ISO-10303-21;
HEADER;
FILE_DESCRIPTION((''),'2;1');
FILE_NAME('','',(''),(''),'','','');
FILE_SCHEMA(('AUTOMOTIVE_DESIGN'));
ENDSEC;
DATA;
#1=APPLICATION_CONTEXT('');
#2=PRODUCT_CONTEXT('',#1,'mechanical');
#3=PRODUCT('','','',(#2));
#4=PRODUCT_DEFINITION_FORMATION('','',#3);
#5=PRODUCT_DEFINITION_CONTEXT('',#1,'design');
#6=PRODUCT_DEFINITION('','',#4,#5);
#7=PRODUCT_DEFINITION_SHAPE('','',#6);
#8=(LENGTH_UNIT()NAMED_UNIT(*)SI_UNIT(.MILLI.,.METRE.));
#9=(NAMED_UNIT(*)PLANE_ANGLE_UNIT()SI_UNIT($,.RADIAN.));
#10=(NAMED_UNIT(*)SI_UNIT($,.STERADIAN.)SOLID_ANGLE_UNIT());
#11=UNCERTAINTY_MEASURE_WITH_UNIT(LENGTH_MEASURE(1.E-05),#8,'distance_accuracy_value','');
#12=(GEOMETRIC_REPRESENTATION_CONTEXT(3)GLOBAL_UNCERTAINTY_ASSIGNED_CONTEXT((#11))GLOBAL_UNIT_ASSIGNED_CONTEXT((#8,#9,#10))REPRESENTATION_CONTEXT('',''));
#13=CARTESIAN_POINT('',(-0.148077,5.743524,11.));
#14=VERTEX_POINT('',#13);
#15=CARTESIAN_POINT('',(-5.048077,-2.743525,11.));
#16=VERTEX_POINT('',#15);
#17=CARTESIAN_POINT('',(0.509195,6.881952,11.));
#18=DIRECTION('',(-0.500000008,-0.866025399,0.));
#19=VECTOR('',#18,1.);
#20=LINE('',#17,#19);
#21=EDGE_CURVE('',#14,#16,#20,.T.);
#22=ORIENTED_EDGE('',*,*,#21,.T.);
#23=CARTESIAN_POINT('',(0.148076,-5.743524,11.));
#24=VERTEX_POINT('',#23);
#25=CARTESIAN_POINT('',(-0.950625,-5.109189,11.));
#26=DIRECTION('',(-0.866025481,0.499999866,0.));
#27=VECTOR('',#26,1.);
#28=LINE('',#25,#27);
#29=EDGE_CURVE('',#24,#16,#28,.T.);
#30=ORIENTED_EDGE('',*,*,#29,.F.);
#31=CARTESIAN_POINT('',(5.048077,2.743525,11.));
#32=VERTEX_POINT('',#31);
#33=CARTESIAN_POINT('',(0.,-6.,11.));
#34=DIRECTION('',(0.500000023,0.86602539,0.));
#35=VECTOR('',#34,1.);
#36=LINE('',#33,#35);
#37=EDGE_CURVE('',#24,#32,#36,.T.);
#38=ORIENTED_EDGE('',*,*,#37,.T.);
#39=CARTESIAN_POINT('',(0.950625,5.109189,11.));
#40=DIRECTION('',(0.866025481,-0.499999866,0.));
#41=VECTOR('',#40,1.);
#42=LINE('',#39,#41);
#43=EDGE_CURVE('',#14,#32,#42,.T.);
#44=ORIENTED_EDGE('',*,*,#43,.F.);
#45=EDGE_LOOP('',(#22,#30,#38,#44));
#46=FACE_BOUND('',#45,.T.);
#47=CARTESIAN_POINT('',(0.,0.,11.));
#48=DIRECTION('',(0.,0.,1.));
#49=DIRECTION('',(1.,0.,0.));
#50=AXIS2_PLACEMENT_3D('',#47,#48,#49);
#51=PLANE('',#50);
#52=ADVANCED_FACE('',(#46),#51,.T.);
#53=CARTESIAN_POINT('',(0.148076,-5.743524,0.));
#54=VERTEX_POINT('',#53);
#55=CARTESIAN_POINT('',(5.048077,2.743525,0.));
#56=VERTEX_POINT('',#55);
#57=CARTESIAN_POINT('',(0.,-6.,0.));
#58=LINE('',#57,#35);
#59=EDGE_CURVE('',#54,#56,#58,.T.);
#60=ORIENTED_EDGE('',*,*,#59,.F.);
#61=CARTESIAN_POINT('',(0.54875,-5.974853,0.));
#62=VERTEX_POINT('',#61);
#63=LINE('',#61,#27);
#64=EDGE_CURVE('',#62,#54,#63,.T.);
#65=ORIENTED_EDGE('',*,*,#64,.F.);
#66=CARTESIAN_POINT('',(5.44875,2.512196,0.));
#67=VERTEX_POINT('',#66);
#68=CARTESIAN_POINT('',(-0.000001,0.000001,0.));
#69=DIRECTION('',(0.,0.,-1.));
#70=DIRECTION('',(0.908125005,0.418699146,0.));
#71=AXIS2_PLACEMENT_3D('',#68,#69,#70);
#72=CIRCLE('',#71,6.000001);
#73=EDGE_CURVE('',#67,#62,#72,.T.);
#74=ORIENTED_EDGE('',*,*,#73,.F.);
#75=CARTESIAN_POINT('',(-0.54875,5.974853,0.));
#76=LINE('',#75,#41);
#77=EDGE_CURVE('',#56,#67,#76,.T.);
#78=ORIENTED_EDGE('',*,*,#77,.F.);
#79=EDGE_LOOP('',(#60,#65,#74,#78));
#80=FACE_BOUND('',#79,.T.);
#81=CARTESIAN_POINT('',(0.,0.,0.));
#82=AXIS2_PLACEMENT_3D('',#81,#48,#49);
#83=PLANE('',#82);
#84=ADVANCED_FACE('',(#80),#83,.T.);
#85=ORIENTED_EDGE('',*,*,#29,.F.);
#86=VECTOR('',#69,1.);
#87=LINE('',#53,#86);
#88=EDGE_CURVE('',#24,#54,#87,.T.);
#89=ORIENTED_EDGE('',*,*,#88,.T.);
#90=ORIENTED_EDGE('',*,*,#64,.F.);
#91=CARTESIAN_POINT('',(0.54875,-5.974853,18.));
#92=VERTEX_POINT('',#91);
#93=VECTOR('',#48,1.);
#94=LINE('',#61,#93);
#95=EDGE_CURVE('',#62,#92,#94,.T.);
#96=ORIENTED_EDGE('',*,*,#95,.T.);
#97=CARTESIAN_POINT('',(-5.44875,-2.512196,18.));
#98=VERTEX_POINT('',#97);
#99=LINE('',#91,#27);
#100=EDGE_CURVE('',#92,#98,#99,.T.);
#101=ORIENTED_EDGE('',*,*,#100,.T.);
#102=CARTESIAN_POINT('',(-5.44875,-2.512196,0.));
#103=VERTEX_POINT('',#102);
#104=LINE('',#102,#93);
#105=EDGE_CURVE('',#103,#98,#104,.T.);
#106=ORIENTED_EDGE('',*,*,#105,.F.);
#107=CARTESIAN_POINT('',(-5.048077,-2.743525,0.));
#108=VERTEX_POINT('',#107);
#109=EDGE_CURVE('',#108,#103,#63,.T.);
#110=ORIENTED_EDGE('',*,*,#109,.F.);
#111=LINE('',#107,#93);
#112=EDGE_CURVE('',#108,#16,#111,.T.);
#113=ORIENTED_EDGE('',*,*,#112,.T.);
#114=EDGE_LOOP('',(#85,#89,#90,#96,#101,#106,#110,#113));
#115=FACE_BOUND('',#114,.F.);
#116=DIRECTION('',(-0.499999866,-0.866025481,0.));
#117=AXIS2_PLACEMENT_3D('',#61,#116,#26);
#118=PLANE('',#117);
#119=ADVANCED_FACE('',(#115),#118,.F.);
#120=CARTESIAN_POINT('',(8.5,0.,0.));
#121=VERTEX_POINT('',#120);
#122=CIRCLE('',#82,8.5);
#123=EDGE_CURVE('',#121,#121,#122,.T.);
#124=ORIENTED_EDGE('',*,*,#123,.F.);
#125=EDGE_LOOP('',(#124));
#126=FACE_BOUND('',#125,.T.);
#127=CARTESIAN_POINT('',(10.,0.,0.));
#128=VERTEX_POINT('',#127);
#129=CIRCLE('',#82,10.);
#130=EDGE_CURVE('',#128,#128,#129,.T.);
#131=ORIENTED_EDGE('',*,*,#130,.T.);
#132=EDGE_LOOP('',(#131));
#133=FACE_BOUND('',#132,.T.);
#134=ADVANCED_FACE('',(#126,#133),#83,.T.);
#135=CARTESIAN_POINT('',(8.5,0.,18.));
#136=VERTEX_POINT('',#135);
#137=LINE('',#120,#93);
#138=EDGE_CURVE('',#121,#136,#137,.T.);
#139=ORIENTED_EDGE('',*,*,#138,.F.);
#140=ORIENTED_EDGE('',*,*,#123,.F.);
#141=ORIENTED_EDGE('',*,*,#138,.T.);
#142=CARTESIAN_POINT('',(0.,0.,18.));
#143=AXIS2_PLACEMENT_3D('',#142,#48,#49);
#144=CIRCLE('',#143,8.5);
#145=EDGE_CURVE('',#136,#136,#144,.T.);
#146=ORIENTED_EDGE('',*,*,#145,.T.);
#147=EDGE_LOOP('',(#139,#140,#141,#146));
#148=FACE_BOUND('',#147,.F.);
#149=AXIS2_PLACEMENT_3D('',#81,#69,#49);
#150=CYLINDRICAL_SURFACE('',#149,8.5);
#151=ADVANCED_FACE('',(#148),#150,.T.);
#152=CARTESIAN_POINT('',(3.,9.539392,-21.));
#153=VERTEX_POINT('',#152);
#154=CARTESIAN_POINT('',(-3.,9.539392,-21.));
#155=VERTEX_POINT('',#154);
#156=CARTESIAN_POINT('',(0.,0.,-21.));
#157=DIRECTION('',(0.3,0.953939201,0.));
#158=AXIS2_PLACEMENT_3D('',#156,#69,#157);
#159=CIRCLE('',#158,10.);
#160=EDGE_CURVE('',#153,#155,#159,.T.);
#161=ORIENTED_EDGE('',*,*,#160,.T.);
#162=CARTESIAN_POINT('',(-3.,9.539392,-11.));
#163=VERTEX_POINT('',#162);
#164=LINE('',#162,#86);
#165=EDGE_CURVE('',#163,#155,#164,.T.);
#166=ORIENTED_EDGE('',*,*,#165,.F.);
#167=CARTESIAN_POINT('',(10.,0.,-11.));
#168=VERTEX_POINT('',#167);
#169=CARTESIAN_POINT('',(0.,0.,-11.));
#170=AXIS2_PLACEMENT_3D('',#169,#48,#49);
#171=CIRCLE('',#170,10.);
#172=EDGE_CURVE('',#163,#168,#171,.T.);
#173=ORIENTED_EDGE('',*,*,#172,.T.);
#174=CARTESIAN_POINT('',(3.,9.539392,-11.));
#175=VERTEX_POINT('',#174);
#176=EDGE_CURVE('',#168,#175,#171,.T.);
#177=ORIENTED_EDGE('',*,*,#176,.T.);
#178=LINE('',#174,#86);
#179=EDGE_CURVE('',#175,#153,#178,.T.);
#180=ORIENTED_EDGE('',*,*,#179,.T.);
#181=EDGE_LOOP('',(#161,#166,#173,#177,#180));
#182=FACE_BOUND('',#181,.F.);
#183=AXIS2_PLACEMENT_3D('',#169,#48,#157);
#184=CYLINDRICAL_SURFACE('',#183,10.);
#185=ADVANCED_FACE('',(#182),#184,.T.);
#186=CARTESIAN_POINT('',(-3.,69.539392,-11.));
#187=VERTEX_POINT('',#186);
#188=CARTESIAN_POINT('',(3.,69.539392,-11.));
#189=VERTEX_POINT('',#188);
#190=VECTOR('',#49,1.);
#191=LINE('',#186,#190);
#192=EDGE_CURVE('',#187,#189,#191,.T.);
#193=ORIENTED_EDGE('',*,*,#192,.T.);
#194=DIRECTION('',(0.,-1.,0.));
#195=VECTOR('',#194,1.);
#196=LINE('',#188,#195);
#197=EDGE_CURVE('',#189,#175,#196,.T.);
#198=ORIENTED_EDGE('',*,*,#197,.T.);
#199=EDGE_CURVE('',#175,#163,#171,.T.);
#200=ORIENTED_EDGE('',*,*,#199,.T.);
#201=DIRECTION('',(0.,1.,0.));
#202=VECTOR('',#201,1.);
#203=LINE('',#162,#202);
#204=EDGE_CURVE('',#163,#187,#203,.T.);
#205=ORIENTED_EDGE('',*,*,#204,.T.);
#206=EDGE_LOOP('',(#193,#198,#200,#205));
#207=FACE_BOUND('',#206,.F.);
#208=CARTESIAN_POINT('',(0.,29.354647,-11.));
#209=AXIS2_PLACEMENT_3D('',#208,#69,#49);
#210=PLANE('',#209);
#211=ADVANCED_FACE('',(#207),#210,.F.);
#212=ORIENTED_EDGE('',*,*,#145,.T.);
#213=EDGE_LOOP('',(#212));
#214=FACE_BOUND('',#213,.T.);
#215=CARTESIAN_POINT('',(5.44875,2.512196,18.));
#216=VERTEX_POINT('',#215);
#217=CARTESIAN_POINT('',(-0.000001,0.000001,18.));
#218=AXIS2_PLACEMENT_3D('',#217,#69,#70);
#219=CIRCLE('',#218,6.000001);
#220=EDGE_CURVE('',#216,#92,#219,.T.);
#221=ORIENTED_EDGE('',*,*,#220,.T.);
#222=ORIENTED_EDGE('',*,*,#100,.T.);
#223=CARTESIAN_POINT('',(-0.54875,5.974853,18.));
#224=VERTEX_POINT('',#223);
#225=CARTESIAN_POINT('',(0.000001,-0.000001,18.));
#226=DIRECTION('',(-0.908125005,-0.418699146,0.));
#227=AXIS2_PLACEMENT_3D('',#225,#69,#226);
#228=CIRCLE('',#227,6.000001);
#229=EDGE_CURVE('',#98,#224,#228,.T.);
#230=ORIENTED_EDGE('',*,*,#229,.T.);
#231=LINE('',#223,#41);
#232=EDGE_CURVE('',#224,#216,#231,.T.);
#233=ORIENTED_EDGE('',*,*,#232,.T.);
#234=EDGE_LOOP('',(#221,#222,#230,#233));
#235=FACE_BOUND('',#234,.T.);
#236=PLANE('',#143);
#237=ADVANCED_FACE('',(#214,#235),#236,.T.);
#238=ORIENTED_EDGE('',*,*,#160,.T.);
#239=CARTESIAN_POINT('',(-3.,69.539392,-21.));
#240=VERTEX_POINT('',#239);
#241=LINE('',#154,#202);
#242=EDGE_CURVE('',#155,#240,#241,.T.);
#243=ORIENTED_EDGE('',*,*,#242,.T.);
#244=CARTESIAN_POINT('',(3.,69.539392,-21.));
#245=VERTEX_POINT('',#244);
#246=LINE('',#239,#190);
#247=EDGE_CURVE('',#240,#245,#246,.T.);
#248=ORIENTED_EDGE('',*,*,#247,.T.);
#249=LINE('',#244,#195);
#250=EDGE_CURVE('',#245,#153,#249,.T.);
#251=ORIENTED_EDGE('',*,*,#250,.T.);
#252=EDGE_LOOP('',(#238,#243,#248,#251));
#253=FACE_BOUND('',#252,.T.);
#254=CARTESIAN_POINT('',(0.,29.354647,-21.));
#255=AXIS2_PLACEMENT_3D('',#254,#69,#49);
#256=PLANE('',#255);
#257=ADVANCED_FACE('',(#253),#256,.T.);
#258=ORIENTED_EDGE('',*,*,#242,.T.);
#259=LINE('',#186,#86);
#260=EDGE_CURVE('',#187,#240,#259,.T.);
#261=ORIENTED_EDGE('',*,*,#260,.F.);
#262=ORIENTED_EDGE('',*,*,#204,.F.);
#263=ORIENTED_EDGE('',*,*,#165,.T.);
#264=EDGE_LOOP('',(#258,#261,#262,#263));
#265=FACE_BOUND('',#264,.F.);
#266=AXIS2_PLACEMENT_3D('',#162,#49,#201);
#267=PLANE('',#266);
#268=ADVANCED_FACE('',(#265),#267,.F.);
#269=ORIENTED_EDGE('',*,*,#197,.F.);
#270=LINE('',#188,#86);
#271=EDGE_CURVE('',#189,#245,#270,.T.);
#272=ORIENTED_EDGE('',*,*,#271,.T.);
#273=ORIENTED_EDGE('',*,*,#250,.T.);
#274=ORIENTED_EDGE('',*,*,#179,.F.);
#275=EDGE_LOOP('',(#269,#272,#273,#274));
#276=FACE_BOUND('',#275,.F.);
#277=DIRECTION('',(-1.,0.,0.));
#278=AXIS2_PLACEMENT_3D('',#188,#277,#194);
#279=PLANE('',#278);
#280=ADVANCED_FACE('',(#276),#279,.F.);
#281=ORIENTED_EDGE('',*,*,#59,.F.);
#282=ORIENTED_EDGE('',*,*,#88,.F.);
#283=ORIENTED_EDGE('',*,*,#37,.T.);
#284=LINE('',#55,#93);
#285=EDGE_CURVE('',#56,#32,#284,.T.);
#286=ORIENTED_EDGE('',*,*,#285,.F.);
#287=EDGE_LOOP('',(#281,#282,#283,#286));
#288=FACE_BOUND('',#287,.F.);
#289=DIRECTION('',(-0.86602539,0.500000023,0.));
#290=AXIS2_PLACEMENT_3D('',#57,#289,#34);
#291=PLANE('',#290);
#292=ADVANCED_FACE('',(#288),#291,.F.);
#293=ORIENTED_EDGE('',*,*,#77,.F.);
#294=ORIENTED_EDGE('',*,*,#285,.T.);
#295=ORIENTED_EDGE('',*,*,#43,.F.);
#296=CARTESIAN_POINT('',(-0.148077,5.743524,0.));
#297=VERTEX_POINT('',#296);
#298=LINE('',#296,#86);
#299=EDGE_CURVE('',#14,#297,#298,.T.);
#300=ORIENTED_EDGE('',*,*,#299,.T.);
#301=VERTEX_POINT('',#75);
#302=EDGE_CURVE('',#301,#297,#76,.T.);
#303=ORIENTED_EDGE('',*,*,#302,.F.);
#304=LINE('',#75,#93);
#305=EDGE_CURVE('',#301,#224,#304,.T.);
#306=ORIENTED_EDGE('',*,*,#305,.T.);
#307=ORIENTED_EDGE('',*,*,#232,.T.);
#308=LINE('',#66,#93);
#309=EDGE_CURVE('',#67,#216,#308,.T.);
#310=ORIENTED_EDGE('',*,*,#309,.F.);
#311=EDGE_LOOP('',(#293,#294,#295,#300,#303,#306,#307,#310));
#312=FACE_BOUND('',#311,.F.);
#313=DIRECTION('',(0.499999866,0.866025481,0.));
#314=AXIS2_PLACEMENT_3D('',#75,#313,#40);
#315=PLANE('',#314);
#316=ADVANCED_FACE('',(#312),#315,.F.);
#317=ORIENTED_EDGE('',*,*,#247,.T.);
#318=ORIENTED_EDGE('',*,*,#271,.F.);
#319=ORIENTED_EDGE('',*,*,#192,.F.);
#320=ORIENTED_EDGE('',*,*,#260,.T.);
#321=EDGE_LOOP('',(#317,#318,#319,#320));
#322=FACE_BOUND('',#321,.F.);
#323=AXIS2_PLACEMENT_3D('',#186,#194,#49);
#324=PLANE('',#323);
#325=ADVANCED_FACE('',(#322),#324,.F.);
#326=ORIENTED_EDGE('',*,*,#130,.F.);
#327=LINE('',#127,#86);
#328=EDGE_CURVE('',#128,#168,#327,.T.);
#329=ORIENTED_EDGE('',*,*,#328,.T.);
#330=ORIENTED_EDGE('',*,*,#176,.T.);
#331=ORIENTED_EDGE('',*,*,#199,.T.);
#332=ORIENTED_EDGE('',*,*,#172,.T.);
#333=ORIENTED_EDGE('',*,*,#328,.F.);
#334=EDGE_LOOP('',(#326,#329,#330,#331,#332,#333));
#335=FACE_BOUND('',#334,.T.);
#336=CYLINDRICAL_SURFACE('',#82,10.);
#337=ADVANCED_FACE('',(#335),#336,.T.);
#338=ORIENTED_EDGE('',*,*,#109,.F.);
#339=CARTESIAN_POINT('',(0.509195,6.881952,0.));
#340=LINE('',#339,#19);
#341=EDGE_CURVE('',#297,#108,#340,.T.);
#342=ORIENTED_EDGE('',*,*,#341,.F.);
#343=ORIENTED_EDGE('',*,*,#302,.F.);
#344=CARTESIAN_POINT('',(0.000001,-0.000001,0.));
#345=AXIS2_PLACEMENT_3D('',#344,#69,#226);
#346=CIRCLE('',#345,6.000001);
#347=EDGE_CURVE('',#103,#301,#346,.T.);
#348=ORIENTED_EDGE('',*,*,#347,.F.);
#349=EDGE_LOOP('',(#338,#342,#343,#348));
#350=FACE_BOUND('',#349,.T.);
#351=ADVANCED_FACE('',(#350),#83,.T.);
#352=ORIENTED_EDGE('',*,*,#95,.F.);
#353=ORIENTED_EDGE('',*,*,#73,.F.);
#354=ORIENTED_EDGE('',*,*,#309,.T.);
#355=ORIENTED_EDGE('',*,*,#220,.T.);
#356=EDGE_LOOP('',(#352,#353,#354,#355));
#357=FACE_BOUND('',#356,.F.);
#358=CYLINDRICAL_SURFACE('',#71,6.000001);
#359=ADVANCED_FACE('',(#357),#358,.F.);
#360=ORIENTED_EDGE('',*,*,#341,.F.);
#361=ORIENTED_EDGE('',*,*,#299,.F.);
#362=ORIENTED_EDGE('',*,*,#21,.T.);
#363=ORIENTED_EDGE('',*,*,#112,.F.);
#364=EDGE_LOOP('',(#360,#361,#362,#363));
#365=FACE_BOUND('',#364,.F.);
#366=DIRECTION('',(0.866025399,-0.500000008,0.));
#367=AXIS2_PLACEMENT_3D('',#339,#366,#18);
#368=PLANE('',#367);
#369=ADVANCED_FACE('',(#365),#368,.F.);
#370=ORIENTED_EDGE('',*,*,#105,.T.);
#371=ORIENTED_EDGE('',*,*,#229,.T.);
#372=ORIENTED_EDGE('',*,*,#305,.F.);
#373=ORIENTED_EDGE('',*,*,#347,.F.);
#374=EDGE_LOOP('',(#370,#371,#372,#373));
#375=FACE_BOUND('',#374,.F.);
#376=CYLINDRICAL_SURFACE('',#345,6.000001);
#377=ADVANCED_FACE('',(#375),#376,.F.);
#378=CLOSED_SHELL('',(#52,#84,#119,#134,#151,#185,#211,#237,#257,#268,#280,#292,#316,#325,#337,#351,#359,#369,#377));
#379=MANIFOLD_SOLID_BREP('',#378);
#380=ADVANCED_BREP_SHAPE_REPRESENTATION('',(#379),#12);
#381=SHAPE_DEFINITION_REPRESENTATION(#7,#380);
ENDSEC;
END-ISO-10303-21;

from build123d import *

# Parameters (mm, degrees)
F0_R     = 8.5
F1_DEPTH = 18
F3_DEPTH = 11
F4_R     = 10
F5_DEPTH = 11
F7_DEPTH = 10


with BuildPart() as f1:
    # F0 (on Top) → F1 (new body)
    with BuildSketch(Plane.XY):
        Circle(F0_R)
        with BuildLine():
            ThreePointArc((-5.44875, -2.512196), (-5.196152, 3), (-0.54875, 5.974853))
            Line((-0.54875, 5.974853), (5.44875, 2.512196))
            ThreePointArc((5.44875, 2.512196), (5.196152, -3), (0.54875, -5.974853))
            Line((0.54875, -5.974853), (-5.44875, -2.512196))
        make_face(mode=Mode.SUBTRACT)
    extrude(amount=F1_DEPTH)

    # F2 (on Top) → F3 (join)
    with BuildSketch(Plane.XY):
        Polygon((0.509195, 6.881952), (-5.705348, -3.881952), (-0.509195, -6.881952), (0, -6), (5.705348, 3.881952), align=None)
    extrude(amount=F3_DEPTH)

    # F4 (on Top) → F5 (join)
    with BuildSketch(Plane.XY):
        Circle(F4_R)
    extrude(amount=-F5_DEPTH)

    # F6 (on face) → F7 (join)
    with BuildSketch(Plane(origin=(0, 0, -11), x_dir=(1, 0, 0), z_dir=(0, 0, -1))):
        with BuildLine():
            Line((3, -69.539392), (3, -9.539392))
            ThreePointArc((3, -9.539392), (0, 10), (-3, -9.539392))
            Line((-3, -9.539392), (-3, -69.539392))
            Line((-3, -69.539392), (3, -69.539392))
        make_face()
    extrude(amount=F7_DEPTH)


solid = f1.part
